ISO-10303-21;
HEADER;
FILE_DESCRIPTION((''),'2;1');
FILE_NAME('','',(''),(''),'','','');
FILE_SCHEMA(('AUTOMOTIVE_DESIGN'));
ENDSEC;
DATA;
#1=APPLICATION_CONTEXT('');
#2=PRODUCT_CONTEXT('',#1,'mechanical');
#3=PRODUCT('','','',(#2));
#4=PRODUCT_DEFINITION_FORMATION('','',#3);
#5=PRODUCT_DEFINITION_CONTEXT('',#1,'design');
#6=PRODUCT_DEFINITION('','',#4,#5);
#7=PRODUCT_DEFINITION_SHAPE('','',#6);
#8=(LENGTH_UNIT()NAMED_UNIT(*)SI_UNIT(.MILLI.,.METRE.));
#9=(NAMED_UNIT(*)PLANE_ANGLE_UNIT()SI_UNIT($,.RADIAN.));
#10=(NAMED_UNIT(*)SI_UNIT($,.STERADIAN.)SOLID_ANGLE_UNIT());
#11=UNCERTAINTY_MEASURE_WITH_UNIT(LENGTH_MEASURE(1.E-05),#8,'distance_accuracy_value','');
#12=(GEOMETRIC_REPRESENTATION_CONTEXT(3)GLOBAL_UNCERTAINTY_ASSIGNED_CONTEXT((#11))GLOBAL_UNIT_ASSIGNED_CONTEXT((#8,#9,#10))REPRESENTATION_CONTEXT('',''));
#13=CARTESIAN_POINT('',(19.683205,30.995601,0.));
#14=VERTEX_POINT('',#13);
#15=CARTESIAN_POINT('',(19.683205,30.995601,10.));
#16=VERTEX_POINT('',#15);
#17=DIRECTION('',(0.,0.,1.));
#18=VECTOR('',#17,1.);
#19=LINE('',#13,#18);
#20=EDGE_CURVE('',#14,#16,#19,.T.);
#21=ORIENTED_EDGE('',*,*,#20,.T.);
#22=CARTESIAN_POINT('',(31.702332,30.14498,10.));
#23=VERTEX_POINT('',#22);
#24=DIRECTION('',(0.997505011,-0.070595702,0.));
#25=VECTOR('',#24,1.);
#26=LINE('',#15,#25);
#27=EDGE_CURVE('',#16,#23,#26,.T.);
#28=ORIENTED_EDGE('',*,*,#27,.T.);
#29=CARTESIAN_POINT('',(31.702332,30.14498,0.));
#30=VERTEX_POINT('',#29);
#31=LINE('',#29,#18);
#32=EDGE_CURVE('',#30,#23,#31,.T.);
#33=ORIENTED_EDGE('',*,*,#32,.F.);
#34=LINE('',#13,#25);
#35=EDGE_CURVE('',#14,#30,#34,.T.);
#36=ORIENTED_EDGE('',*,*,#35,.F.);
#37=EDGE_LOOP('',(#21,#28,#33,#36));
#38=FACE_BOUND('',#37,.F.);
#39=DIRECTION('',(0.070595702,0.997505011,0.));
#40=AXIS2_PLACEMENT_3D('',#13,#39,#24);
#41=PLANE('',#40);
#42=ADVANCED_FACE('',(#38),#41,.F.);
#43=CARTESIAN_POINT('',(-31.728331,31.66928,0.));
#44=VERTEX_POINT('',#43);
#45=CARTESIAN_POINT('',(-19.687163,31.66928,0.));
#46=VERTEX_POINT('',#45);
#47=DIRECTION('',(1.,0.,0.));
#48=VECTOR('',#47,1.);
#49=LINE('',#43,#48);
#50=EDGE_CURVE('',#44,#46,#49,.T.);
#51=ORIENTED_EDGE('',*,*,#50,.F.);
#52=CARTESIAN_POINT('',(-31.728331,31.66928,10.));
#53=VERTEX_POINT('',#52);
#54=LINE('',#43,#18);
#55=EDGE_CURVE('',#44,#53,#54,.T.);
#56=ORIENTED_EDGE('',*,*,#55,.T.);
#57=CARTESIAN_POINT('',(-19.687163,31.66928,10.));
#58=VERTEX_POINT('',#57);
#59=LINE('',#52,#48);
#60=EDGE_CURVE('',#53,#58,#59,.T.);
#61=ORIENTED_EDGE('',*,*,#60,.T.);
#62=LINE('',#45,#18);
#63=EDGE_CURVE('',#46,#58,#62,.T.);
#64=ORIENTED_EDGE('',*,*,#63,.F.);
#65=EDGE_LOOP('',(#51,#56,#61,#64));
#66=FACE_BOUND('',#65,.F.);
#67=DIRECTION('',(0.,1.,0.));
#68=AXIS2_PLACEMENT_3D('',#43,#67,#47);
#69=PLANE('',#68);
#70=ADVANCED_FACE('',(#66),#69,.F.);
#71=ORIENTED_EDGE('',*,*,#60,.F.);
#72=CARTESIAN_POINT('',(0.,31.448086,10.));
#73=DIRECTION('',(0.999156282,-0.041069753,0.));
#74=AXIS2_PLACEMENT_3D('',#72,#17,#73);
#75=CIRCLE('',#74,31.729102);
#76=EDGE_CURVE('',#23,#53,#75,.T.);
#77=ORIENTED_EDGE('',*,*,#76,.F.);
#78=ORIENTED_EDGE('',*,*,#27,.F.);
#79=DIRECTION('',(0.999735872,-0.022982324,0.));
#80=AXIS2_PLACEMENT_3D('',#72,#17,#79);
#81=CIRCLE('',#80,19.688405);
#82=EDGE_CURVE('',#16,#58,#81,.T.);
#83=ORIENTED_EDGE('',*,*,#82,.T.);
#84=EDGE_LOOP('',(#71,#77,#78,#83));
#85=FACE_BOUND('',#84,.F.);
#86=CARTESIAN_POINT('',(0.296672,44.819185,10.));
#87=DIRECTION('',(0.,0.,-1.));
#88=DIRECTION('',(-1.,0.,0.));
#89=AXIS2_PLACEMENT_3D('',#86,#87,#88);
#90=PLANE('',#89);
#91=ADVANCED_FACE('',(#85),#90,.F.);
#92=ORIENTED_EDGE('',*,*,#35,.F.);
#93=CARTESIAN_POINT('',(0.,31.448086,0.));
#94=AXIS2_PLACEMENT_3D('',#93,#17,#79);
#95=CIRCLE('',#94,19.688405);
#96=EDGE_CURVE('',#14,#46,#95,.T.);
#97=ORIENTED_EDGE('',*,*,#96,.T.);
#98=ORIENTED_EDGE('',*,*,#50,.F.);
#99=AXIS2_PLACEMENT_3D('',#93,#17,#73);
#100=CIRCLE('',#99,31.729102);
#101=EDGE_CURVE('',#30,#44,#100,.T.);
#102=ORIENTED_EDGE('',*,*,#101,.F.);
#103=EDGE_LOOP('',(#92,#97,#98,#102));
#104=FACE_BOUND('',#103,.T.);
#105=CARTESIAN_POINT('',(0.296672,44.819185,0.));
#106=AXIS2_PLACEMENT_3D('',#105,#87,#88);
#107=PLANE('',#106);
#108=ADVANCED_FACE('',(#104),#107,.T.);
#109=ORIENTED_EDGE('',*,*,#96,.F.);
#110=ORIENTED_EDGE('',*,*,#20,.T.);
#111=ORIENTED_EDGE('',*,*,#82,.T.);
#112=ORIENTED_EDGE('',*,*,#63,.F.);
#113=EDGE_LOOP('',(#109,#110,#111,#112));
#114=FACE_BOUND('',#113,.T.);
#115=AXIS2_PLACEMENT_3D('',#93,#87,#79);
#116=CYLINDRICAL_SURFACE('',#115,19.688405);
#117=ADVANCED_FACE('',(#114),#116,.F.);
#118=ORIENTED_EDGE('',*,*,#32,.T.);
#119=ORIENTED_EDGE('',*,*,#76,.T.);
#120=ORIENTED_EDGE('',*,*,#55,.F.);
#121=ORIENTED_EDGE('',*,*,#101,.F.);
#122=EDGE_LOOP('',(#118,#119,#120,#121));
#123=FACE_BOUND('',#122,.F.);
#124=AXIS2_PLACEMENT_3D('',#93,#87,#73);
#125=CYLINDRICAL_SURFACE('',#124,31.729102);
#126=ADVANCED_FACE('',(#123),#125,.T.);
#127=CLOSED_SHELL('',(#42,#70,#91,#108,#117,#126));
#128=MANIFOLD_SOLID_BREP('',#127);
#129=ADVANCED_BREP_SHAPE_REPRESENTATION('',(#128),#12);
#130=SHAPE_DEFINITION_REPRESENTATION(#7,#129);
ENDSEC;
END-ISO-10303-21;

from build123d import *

# Parameters (mm, degrees)
PAD_DEPTH = 10


with BuildPart() as part:
    # Sketch → Pad (new body)
    with BuildSketch(Plane.XY):
        with BuildLine():
            ThreePointArc((19.683205, 30.995601), (0.336845, 51.13361), (-19.687163, 31.66928))
            Line((-31.728331, 31.66928), (-19.687163, 31.66928))
            ThreePointArc((31.702332, 30.14498), (0.762261, 63.168031), (-31.728331, 31.66928))
            Line((19.683205, 30.995601), (31.702332, 30.14498))
        make_face()
    extrude(amount=PAD_DEPTH)


solid = part.part
